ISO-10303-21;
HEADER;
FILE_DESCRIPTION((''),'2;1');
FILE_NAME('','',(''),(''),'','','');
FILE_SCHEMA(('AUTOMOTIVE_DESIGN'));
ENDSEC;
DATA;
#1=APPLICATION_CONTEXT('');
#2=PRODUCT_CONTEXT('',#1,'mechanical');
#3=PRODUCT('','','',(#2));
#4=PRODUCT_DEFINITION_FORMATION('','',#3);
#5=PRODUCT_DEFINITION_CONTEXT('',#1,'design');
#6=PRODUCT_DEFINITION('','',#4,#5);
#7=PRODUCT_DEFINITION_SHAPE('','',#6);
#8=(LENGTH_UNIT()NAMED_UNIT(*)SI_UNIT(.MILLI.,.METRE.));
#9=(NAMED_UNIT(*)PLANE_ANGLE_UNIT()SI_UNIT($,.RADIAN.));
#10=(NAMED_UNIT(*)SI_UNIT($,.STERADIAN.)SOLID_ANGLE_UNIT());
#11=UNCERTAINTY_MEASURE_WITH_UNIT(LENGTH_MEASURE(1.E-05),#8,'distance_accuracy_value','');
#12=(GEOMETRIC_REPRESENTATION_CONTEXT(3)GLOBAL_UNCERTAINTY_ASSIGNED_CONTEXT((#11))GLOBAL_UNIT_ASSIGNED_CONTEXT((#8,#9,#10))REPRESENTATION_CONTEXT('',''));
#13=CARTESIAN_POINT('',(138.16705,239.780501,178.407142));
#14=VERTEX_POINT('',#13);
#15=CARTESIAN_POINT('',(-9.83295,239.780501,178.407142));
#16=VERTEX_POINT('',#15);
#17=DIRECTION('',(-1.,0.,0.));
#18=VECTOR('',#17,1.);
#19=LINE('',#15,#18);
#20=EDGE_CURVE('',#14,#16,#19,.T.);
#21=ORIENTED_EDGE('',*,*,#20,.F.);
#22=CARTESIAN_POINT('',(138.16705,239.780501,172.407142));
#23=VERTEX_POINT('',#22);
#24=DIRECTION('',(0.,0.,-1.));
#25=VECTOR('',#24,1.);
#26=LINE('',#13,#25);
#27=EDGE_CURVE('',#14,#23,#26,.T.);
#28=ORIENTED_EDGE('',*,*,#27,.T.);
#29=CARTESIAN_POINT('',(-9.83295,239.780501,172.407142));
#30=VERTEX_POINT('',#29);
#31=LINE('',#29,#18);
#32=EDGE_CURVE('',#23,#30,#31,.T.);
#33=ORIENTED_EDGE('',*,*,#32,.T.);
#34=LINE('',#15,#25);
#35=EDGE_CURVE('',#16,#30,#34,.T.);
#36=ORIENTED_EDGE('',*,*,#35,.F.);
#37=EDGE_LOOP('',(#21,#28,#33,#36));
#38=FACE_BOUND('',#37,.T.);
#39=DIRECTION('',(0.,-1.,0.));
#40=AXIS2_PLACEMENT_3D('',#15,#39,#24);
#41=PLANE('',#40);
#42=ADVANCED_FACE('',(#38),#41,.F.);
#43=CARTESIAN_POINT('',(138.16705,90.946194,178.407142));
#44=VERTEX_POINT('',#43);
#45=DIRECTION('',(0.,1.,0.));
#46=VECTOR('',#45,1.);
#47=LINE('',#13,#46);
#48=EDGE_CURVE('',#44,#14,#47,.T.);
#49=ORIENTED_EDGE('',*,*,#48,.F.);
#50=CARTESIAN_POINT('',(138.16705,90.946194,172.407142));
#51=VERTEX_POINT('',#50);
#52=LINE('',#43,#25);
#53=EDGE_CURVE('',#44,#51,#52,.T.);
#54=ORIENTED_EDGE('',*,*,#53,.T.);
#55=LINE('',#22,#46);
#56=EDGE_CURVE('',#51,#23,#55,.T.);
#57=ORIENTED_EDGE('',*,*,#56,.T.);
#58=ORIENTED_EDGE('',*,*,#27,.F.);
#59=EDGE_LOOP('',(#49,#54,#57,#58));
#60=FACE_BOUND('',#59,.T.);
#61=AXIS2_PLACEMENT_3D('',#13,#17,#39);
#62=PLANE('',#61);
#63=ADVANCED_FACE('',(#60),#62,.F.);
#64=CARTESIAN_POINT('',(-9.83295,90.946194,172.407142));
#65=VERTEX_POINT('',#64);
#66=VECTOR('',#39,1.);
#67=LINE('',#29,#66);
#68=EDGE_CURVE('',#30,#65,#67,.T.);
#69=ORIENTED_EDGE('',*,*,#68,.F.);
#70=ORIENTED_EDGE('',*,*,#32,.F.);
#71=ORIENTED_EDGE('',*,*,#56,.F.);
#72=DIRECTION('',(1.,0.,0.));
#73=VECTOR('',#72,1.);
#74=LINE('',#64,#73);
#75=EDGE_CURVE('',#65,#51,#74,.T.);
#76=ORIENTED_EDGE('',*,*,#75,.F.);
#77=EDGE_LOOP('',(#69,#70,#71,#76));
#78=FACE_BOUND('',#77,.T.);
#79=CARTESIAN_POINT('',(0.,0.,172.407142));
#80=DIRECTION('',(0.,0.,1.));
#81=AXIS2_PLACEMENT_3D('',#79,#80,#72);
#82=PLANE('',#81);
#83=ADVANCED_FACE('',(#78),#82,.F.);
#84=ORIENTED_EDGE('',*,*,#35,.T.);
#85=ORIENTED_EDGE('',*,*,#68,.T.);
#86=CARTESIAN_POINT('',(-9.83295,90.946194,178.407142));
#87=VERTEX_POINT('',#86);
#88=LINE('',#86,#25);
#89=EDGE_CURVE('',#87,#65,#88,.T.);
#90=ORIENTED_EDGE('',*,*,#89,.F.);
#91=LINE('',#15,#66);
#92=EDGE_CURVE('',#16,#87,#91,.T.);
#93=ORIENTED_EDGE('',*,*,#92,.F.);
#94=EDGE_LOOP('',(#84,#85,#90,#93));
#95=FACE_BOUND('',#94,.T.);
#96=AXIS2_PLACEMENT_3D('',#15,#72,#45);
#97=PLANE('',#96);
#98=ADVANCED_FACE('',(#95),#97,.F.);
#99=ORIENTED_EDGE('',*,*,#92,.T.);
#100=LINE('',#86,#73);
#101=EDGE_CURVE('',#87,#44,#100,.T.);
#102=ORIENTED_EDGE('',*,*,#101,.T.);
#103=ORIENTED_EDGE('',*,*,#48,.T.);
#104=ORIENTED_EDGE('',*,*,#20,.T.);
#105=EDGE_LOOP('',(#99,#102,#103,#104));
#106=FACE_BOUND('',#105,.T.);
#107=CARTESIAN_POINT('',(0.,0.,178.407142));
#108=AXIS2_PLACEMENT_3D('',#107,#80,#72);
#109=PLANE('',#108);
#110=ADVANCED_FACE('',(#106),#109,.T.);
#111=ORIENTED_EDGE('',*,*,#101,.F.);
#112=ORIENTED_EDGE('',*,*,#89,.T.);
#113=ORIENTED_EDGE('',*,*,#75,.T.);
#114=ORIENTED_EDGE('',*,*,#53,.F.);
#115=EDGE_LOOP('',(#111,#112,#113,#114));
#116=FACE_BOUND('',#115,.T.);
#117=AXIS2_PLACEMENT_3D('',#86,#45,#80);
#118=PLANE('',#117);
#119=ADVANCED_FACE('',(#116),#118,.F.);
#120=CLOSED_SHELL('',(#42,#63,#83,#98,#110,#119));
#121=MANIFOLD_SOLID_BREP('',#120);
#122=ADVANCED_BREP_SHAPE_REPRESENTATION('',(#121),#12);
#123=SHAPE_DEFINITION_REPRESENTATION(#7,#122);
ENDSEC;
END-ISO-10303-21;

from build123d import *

# Parameters (mm, degrees)
SKETCH1_W           = 148
SKETCH1_H           = 148.834307206
BOSS_EXTRUDE1_DEPTH = 6


with BuildPart() as part:
    # Sketch1 → Boss-Extrude1 (new body)
    with BuildSketch(Plane.XY.offset(172.407141652)):
        with Locations((64.167049999, 165.363347507)):
            Rectangle(SKETCH1_W, SKETCH1_H)
    extrude(amount=BOSS_EXTRUDE1_DEPTH)


solid = part.part
